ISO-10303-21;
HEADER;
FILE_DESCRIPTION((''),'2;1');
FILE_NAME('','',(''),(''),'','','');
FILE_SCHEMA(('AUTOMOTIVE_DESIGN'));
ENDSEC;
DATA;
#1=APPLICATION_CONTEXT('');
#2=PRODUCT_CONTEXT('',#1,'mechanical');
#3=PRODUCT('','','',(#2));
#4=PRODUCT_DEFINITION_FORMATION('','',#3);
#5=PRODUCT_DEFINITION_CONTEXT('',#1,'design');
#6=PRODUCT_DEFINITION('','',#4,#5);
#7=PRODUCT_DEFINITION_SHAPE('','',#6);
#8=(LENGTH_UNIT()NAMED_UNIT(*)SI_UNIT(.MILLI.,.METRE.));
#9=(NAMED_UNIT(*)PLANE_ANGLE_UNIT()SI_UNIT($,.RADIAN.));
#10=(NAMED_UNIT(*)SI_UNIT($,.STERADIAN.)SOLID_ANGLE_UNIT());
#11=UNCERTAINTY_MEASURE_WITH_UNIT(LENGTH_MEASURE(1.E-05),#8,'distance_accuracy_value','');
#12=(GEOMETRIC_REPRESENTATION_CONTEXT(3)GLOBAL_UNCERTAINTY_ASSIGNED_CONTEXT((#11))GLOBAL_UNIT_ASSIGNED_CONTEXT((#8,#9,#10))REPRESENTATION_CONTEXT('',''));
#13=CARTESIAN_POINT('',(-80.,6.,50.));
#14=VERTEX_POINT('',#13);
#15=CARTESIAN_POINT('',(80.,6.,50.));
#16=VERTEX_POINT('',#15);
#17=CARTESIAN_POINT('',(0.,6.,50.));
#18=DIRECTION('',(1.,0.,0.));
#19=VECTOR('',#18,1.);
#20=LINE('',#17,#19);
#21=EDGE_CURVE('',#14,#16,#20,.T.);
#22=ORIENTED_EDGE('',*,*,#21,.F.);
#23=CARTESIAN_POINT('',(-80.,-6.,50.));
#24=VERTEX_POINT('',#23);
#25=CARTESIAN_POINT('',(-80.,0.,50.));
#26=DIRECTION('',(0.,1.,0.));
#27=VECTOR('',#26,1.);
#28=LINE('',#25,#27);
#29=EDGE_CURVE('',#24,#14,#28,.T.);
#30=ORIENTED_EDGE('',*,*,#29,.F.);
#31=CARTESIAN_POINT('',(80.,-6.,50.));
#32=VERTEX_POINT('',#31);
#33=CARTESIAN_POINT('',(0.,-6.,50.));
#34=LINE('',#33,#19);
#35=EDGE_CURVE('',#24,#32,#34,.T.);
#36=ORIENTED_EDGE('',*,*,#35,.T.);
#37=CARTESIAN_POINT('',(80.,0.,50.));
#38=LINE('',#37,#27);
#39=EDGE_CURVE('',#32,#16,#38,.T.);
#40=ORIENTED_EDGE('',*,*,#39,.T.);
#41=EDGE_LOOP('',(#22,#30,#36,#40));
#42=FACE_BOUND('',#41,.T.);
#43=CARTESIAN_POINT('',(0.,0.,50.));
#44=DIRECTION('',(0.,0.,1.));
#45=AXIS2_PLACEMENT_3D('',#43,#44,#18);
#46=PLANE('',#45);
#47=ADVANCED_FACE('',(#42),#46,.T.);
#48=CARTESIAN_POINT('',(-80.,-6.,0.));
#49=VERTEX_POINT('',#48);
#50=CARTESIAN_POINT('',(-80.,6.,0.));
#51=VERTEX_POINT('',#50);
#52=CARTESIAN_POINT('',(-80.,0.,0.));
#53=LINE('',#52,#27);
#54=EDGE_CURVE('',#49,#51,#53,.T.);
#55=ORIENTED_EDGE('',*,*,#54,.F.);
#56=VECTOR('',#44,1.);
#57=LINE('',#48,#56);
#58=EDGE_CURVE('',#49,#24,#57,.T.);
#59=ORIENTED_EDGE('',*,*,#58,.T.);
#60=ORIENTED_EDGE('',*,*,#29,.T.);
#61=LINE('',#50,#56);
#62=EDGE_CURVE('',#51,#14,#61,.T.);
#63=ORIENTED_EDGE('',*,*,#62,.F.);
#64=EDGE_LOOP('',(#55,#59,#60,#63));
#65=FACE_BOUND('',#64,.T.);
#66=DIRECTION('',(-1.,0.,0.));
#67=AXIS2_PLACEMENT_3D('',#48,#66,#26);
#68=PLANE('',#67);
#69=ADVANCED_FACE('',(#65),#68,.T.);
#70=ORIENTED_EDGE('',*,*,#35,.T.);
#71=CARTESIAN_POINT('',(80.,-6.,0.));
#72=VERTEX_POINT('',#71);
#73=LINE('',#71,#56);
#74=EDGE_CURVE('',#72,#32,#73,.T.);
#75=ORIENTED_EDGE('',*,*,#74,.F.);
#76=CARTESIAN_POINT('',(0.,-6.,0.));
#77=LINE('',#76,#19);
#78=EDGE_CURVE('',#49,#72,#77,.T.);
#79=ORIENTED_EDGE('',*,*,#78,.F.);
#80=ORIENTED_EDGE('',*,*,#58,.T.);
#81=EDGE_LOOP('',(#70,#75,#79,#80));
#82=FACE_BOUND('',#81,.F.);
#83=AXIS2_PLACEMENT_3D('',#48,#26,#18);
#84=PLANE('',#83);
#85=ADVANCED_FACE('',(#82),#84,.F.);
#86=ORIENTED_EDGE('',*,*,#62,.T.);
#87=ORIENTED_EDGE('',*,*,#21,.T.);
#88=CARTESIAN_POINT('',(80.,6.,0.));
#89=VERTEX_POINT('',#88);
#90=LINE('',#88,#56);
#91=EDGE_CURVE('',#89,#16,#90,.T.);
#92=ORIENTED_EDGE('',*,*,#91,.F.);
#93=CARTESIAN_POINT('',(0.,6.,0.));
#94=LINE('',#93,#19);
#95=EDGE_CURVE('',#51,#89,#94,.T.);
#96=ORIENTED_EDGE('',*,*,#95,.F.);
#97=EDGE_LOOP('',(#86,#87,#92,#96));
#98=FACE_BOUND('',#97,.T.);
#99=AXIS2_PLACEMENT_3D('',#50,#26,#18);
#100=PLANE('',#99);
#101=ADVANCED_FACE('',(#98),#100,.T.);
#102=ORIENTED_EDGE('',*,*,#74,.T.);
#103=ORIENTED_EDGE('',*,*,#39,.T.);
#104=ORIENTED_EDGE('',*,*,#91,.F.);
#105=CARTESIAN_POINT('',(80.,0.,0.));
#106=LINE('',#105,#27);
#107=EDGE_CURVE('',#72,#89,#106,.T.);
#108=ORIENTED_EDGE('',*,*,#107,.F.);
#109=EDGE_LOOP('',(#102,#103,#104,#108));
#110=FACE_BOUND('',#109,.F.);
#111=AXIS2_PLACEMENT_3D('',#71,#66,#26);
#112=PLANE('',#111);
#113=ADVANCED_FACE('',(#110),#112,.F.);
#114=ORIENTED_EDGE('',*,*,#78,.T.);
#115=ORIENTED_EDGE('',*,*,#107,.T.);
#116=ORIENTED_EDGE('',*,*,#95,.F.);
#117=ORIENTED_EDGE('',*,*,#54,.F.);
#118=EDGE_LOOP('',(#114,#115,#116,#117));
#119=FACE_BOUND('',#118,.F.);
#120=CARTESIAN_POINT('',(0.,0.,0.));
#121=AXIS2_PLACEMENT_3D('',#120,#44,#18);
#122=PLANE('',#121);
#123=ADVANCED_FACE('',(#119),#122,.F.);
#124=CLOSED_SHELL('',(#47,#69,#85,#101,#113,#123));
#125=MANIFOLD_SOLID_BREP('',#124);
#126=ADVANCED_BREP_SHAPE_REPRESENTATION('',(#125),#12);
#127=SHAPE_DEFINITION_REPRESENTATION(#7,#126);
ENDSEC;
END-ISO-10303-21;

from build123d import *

# Parameters (mm, degrees)
SKETCH_W      = 160
SKETCH_H      = 12
EXTRUDE_DEPTH = 50


with BuildPart() as part:
    # Sketch → Extrude (new body)
    with BuildSketch(Plane.XY):
        Rectangle(SKETCH_W, SKETCH_H)
    extrude(amount=EXTRUDE_DEPTH)


solid = part.part
